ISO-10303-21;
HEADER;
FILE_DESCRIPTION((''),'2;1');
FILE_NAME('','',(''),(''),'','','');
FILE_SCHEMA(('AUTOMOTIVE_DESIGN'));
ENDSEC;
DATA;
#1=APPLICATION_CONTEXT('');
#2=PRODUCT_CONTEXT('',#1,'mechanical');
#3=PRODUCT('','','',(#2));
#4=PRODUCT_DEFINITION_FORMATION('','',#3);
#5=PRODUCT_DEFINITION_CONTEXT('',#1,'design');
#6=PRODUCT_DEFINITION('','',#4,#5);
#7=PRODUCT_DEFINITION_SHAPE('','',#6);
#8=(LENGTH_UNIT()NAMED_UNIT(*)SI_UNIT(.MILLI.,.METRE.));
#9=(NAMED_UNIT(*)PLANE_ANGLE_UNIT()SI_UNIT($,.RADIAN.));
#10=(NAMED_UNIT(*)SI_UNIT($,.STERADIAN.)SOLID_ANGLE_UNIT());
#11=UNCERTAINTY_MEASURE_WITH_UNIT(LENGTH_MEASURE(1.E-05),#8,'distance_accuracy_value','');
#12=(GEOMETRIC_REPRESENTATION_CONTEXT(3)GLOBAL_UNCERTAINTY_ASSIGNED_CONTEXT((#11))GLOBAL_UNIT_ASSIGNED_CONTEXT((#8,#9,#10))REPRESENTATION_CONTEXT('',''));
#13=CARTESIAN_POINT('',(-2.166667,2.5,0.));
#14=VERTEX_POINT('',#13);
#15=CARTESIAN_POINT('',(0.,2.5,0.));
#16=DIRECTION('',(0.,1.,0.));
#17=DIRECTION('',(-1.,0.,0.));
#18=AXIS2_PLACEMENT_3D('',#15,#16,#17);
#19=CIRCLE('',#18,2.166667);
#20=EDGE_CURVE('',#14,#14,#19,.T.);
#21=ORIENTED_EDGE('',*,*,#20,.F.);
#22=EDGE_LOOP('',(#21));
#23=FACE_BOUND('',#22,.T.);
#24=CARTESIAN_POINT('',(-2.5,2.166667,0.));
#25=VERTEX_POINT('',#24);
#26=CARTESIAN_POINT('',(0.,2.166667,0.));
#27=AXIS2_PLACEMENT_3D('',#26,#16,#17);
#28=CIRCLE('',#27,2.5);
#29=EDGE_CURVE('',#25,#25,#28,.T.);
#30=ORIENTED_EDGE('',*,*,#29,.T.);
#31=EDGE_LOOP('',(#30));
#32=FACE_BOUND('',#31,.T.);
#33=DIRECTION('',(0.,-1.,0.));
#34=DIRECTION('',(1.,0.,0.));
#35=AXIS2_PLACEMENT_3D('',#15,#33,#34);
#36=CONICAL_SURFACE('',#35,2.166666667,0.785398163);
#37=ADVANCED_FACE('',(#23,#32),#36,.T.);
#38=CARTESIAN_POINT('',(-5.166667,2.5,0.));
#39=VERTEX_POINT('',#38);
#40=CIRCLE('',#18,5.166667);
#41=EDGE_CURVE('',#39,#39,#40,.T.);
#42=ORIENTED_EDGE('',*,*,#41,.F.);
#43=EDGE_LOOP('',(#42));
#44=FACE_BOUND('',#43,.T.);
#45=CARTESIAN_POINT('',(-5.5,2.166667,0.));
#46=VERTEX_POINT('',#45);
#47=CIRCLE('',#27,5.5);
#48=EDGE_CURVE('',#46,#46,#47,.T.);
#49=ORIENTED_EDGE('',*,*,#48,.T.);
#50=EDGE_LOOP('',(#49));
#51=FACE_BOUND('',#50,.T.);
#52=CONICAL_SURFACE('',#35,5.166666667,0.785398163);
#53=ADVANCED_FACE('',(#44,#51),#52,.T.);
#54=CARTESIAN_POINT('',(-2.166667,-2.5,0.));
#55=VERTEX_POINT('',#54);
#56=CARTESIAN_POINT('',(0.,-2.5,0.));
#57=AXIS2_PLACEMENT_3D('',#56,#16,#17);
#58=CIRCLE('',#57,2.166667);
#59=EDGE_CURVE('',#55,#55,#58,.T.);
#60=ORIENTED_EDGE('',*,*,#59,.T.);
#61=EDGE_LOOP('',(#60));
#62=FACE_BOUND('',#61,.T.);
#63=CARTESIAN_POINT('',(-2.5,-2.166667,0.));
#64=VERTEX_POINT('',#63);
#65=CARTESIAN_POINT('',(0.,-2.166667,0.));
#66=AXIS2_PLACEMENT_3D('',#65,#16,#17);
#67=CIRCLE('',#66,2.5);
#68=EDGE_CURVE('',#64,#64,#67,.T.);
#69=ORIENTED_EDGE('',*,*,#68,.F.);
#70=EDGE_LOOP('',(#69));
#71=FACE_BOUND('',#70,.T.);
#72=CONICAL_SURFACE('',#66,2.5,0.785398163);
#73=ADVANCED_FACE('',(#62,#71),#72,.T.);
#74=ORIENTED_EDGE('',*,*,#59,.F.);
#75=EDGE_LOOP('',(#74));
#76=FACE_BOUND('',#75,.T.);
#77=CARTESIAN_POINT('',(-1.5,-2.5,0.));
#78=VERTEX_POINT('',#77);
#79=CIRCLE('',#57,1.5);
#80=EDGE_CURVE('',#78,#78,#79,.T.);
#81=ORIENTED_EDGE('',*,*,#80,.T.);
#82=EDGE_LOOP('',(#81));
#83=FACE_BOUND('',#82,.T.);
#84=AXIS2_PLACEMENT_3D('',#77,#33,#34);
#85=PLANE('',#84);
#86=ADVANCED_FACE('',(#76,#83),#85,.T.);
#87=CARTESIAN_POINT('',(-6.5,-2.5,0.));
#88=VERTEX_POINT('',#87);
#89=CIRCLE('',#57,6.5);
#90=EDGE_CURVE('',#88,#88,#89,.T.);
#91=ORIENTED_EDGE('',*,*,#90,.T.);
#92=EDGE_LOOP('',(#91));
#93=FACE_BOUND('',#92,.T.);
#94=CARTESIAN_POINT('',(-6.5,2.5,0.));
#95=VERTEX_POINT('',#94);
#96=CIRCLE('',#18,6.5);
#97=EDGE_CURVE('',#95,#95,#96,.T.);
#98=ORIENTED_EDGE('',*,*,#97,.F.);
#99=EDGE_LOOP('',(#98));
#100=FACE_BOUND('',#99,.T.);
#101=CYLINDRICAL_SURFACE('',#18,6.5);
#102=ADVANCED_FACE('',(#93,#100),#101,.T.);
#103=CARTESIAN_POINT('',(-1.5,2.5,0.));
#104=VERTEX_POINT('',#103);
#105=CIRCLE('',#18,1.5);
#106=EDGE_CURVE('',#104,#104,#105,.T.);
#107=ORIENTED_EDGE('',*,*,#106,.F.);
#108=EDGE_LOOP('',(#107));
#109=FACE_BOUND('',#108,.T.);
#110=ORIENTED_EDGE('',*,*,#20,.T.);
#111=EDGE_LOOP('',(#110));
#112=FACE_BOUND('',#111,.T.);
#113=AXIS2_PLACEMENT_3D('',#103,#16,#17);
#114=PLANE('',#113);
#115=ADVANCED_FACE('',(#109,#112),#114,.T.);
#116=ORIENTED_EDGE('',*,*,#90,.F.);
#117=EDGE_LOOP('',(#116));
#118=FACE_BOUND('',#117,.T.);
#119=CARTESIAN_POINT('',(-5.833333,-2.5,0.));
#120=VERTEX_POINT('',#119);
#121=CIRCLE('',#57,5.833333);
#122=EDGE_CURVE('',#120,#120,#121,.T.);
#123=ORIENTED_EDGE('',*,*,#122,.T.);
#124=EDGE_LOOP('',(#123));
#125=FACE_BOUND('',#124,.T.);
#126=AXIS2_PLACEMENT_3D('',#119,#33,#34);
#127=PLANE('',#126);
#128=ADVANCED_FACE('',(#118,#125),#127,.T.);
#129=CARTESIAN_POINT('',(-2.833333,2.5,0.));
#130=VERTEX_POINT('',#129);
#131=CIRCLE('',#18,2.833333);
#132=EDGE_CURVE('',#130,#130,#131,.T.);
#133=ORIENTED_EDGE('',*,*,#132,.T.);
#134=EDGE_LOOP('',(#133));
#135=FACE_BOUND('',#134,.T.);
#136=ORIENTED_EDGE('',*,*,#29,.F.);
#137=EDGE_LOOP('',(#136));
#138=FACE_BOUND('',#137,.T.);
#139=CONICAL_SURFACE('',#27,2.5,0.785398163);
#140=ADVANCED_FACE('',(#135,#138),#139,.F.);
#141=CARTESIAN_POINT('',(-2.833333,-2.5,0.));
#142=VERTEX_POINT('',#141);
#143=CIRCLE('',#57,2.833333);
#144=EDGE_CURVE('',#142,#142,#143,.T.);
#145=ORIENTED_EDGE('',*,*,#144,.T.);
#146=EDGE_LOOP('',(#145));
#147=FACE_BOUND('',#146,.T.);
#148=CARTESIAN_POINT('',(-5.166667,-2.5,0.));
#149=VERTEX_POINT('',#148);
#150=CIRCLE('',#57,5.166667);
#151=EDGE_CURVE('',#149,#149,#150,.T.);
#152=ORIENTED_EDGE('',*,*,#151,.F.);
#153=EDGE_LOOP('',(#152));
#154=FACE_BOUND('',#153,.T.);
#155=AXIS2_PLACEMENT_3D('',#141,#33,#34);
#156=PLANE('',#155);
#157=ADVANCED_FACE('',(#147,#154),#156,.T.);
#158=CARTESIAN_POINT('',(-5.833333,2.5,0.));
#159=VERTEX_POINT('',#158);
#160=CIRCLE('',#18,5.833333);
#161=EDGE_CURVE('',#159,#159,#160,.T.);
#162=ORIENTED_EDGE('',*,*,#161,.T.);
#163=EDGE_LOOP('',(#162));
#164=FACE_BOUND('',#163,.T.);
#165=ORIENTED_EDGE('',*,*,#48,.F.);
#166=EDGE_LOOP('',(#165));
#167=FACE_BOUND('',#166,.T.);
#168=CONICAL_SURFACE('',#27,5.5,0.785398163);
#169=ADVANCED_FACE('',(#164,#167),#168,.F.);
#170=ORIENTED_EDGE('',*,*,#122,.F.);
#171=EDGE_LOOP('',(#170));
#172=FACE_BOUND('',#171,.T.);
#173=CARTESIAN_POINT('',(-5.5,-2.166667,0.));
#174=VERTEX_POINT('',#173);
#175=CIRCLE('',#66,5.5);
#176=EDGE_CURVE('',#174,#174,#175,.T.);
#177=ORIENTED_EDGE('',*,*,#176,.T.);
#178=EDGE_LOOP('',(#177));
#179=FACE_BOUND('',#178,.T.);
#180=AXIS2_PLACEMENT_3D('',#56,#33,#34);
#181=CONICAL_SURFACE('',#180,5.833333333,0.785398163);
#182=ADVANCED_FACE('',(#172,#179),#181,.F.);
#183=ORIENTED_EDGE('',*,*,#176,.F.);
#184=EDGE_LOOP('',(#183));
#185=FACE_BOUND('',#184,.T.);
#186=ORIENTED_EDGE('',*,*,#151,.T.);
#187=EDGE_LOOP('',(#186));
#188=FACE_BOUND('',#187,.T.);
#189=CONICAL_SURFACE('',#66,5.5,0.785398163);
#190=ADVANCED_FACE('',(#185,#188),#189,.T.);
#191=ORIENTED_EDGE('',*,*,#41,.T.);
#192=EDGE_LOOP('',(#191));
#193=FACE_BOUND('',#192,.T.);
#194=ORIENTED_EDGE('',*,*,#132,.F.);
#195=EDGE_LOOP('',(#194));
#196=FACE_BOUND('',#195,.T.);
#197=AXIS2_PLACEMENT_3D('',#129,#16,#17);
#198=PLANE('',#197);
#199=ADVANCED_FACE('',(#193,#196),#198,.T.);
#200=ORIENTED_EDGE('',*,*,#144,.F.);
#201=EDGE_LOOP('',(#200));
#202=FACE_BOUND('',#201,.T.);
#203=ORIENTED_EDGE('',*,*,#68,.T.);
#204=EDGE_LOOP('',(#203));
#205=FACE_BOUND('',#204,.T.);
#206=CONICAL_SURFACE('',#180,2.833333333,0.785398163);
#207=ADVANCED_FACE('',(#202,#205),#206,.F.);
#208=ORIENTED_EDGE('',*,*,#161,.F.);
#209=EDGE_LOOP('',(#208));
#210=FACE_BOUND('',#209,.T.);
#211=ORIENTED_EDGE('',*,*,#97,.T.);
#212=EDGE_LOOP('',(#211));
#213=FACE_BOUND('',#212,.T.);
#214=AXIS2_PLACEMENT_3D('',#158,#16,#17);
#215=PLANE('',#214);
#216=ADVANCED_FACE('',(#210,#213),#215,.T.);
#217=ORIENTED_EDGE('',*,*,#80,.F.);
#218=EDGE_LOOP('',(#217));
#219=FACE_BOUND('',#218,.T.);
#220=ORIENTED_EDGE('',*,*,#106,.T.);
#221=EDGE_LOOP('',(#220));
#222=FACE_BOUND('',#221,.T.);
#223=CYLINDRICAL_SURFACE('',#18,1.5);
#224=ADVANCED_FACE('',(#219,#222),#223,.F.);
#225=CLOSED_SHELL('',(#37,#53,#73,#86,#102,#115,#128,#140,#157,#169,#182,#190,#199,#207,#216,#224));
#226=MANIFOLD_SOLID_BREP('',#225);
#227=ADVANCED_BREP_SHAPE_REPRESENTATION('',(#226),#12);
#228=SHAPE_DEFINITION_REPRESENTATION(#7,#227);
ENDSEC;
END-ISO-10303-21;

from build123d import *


with BuildPart() as part:
    # Sketch1 → Revolve1 (revolve)
    with BuildSketch(Plane.XY):
        Polygon((-1.5, 2.5), (-2.166666667, 2.5), (-2.5, 2.166666667), (-2.833333333, 2.5), (-5.166666667, 2.5), (-5.5, 2.166666667), (-5.833333333, 2.5), (-6.5, 2.5), (-6.5, -2.5), (-5.833333333, -2.5), (-5.5, -2.166666667), (-5.166666667, -2.5), (-2.833333333, -2.5), (-2.5, -2.166666667), (-2.166666667, -2.5), (-1.5, -2.5), align=None)
    revolve(axis=Axis((0, 2.5, 0), (0, -1, 0)))


solid = part.part
